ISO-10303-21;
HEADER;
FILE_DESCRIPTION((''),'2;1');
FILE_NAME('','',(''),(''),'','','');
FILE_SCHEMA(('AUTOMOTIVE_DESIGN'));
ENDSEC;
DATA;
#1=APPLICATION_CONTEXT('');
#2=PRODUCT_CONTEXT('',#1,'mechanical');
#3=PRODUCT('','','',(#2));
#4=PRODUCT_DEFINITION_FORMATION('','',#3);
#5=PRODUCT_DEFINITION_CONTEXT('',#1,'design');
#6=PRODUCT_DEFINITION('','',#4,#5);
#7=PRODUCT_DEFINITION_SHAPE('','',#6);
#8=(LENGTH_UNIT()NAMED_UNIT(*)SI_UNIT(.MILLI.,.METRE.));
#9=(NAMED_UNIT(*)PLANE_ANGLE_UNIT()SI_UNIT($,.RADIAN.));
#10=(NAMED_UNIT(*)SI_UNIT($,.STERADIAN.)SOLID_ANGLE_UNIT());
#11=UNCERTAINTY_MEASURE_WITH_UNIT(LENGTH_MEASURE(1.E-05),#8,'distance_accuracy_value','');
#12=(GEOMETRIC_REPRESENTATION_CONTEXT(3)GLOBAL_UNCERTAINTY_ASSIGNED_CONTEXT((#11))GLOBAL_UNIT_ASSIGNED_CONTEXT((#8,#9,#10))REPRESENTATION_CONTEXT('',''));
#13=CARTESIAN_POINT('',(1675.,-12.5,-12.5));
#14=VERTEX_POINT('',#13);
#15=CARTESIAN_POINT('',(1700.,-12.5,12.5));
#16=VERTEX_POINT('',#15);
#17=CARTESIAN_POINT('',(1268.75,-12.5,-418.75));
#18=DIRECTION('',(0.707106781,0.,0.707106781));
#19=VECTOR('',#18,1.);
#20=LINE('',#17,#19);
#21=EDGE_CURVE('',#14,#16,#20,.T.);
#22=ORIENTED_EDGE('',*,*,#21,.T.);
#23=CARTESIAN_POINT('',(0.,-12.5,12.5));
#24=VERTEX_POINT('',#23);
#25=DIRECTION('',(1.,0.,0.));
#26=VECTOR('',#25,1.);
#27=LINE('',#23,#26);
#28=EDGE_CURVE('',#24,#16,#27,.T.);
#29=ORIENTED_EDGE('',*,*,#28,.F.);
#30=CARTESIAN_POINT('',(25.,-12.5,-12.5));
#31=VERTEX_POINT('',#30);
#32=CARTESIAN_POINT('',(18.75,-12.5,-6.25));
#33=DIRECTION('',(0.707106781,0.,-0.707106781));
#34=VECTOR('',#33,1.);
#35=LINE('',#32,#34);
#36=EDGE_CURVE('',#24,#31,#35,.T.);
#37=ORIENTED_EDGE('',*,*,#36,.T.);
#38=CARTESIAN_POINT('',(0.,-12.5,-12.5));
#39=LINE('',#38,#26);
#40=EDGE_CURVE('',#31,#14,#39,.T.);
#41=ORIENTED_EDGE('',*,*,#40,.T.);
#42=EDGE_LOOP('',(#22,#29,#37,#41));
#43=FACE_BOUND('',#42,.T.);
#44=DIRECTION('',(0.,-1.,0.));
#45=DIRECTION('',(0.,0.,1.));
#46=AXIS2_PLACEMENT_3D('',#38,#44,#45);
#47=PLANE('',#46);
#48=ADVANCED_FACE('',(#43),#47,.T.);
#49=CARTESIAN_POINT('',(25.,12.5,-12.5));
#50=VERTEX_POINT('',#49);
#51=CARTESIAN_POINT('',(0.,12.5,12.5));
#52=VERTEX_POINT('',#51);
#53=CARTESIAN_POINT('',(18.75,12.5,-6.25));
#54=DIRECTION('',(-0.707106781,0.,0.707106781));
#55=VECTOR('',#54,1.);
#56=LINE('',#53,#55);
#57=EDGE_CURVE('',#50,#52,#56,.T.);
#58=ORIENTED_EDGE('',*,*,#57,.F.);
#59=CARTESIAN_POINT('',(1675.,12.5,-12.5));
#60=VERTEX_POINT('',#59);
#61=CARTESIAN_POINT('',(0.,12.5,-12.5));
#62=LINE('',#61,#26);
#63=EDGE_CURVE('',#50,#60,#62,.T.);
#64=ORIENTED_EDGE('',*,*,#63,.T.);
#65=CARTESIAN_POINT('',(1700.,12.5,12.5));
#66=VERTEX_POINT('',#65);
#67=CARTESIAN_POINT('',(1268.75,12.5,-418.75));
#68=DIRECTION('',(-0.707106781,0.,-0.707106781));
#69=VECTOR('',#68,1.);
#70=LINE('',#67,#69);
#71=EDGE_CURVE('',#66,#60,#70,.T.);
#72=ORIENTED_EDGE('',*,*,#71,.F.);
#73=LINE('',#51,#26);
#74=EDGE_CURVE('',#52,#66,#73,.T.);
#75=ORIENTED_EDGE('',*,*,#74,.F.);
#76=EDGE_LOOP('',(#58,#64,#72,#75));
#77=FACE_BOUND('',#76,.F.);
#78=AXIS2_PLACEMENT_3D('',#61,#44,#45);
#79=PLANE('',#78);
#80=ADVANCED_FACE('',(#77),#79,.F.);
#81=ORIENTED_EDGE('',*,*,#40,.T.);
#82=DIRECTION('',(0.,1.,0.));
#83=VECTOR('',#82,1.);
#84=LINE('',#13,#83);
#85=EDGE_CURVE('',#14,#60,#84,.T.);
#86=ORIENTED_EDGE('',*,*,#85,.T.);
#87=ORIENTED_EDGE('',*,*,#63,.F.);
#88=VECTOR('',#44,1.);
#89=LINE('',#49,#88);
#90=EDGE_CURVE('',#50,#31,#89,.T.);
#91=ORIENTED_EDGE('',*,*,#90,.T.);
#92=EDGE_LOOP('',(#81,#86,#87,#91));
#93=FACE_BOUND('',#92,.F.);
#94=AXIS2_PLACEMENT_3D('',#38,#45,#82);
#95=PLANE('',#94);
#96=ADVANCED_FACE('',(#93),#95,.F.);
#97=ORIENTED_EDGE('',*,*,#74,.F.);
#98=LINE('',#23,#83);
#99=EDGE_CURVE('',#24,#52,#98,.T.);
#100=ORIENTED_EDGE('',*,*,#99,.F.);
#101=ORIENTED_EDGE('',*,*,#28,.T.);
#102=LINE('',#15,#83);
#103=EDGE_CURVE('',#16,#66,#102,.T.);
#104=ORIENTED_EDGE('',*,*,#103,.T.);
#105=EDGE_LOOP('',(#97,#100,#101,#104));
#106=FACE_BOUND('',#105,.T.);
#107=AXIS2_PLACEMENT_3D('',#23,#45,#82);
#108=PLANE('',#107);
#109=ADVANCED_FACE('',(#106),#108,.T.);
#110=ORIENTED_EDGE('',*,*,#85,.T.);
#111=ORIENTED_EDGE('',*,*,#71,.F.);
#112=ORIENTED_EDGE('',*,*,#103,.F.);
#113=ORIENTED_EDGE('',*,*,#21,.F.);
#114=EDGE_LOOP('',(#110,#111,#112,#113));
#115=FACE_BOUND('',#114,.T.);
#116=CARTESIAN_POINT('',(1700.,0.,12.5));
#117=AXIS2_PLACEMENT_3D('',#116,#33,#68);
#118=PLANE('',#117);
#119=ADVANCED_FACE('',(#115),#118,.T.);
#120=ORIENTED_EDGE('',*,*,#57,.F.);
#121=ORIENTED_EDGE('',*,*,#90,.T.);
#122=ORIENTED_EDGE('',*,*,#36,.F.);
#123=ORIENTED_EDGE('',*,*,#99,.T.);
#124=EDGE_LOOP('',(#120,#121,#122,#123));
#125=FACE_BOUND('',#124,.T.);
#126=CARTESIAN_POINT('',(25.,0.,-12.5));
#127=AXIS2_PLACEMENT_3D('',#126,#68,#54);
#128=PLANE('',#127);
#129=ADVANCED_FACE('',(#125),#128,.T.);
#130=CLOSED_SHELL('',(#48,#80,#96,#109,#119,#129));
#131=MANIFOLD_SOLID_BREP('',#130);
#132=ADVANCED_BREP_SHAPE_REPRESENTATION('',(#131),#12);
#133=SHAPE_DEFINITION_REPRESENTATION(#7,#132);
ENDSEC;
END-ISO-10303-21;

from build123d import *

# Parameters (mm, degrees)
F0_W          = 25
F0_H          = 25
F1_DEPTH      = 1700
F3_DEPTH      = 12.501
F3_DEPTH_BACK = 12.501
F5_DEPTH      = 12.501
F5_DEPTH_BACK = 12.501


with BuildPart() as f1:
    # F0 (on Right) → F1 (new body)
    with BuildSketch(Plane.YZ):
        Rectangle(F0_W, F0_H)
    extrude(amount=F1_DEPTH)

    # F2 (on Front) → F3 (cut, two sides)
    with BuildSketch(Plane.XZ) as f3_sk:
        Polygon((25, -12.5), (0, 12.5), (0, -12.5), align=None)
    extrude(amount=-F3_DEPTH, mode=Mode.SUBTRACT)
    extrude(f3_sk.sketch, amount=F3_DEPTH_BACK, mode=Mode.SUBTRACT)

    # F4 (on Front) → F5 (cut, two sides)
    with BuildSketch(Plane.XZ) as f5_sk:
        Polygon((1700, -12.5), (1700, 12.5), (1675, -12.5), align=None)
    extrude(amount=-F5_DEPTH, mode=Mode.SUBTRACT)
    extrude(f5_sk.sketch, amount=F5_DEPTH_BACK, mode=Mode.SUBTRACT)


solid = f1.part
